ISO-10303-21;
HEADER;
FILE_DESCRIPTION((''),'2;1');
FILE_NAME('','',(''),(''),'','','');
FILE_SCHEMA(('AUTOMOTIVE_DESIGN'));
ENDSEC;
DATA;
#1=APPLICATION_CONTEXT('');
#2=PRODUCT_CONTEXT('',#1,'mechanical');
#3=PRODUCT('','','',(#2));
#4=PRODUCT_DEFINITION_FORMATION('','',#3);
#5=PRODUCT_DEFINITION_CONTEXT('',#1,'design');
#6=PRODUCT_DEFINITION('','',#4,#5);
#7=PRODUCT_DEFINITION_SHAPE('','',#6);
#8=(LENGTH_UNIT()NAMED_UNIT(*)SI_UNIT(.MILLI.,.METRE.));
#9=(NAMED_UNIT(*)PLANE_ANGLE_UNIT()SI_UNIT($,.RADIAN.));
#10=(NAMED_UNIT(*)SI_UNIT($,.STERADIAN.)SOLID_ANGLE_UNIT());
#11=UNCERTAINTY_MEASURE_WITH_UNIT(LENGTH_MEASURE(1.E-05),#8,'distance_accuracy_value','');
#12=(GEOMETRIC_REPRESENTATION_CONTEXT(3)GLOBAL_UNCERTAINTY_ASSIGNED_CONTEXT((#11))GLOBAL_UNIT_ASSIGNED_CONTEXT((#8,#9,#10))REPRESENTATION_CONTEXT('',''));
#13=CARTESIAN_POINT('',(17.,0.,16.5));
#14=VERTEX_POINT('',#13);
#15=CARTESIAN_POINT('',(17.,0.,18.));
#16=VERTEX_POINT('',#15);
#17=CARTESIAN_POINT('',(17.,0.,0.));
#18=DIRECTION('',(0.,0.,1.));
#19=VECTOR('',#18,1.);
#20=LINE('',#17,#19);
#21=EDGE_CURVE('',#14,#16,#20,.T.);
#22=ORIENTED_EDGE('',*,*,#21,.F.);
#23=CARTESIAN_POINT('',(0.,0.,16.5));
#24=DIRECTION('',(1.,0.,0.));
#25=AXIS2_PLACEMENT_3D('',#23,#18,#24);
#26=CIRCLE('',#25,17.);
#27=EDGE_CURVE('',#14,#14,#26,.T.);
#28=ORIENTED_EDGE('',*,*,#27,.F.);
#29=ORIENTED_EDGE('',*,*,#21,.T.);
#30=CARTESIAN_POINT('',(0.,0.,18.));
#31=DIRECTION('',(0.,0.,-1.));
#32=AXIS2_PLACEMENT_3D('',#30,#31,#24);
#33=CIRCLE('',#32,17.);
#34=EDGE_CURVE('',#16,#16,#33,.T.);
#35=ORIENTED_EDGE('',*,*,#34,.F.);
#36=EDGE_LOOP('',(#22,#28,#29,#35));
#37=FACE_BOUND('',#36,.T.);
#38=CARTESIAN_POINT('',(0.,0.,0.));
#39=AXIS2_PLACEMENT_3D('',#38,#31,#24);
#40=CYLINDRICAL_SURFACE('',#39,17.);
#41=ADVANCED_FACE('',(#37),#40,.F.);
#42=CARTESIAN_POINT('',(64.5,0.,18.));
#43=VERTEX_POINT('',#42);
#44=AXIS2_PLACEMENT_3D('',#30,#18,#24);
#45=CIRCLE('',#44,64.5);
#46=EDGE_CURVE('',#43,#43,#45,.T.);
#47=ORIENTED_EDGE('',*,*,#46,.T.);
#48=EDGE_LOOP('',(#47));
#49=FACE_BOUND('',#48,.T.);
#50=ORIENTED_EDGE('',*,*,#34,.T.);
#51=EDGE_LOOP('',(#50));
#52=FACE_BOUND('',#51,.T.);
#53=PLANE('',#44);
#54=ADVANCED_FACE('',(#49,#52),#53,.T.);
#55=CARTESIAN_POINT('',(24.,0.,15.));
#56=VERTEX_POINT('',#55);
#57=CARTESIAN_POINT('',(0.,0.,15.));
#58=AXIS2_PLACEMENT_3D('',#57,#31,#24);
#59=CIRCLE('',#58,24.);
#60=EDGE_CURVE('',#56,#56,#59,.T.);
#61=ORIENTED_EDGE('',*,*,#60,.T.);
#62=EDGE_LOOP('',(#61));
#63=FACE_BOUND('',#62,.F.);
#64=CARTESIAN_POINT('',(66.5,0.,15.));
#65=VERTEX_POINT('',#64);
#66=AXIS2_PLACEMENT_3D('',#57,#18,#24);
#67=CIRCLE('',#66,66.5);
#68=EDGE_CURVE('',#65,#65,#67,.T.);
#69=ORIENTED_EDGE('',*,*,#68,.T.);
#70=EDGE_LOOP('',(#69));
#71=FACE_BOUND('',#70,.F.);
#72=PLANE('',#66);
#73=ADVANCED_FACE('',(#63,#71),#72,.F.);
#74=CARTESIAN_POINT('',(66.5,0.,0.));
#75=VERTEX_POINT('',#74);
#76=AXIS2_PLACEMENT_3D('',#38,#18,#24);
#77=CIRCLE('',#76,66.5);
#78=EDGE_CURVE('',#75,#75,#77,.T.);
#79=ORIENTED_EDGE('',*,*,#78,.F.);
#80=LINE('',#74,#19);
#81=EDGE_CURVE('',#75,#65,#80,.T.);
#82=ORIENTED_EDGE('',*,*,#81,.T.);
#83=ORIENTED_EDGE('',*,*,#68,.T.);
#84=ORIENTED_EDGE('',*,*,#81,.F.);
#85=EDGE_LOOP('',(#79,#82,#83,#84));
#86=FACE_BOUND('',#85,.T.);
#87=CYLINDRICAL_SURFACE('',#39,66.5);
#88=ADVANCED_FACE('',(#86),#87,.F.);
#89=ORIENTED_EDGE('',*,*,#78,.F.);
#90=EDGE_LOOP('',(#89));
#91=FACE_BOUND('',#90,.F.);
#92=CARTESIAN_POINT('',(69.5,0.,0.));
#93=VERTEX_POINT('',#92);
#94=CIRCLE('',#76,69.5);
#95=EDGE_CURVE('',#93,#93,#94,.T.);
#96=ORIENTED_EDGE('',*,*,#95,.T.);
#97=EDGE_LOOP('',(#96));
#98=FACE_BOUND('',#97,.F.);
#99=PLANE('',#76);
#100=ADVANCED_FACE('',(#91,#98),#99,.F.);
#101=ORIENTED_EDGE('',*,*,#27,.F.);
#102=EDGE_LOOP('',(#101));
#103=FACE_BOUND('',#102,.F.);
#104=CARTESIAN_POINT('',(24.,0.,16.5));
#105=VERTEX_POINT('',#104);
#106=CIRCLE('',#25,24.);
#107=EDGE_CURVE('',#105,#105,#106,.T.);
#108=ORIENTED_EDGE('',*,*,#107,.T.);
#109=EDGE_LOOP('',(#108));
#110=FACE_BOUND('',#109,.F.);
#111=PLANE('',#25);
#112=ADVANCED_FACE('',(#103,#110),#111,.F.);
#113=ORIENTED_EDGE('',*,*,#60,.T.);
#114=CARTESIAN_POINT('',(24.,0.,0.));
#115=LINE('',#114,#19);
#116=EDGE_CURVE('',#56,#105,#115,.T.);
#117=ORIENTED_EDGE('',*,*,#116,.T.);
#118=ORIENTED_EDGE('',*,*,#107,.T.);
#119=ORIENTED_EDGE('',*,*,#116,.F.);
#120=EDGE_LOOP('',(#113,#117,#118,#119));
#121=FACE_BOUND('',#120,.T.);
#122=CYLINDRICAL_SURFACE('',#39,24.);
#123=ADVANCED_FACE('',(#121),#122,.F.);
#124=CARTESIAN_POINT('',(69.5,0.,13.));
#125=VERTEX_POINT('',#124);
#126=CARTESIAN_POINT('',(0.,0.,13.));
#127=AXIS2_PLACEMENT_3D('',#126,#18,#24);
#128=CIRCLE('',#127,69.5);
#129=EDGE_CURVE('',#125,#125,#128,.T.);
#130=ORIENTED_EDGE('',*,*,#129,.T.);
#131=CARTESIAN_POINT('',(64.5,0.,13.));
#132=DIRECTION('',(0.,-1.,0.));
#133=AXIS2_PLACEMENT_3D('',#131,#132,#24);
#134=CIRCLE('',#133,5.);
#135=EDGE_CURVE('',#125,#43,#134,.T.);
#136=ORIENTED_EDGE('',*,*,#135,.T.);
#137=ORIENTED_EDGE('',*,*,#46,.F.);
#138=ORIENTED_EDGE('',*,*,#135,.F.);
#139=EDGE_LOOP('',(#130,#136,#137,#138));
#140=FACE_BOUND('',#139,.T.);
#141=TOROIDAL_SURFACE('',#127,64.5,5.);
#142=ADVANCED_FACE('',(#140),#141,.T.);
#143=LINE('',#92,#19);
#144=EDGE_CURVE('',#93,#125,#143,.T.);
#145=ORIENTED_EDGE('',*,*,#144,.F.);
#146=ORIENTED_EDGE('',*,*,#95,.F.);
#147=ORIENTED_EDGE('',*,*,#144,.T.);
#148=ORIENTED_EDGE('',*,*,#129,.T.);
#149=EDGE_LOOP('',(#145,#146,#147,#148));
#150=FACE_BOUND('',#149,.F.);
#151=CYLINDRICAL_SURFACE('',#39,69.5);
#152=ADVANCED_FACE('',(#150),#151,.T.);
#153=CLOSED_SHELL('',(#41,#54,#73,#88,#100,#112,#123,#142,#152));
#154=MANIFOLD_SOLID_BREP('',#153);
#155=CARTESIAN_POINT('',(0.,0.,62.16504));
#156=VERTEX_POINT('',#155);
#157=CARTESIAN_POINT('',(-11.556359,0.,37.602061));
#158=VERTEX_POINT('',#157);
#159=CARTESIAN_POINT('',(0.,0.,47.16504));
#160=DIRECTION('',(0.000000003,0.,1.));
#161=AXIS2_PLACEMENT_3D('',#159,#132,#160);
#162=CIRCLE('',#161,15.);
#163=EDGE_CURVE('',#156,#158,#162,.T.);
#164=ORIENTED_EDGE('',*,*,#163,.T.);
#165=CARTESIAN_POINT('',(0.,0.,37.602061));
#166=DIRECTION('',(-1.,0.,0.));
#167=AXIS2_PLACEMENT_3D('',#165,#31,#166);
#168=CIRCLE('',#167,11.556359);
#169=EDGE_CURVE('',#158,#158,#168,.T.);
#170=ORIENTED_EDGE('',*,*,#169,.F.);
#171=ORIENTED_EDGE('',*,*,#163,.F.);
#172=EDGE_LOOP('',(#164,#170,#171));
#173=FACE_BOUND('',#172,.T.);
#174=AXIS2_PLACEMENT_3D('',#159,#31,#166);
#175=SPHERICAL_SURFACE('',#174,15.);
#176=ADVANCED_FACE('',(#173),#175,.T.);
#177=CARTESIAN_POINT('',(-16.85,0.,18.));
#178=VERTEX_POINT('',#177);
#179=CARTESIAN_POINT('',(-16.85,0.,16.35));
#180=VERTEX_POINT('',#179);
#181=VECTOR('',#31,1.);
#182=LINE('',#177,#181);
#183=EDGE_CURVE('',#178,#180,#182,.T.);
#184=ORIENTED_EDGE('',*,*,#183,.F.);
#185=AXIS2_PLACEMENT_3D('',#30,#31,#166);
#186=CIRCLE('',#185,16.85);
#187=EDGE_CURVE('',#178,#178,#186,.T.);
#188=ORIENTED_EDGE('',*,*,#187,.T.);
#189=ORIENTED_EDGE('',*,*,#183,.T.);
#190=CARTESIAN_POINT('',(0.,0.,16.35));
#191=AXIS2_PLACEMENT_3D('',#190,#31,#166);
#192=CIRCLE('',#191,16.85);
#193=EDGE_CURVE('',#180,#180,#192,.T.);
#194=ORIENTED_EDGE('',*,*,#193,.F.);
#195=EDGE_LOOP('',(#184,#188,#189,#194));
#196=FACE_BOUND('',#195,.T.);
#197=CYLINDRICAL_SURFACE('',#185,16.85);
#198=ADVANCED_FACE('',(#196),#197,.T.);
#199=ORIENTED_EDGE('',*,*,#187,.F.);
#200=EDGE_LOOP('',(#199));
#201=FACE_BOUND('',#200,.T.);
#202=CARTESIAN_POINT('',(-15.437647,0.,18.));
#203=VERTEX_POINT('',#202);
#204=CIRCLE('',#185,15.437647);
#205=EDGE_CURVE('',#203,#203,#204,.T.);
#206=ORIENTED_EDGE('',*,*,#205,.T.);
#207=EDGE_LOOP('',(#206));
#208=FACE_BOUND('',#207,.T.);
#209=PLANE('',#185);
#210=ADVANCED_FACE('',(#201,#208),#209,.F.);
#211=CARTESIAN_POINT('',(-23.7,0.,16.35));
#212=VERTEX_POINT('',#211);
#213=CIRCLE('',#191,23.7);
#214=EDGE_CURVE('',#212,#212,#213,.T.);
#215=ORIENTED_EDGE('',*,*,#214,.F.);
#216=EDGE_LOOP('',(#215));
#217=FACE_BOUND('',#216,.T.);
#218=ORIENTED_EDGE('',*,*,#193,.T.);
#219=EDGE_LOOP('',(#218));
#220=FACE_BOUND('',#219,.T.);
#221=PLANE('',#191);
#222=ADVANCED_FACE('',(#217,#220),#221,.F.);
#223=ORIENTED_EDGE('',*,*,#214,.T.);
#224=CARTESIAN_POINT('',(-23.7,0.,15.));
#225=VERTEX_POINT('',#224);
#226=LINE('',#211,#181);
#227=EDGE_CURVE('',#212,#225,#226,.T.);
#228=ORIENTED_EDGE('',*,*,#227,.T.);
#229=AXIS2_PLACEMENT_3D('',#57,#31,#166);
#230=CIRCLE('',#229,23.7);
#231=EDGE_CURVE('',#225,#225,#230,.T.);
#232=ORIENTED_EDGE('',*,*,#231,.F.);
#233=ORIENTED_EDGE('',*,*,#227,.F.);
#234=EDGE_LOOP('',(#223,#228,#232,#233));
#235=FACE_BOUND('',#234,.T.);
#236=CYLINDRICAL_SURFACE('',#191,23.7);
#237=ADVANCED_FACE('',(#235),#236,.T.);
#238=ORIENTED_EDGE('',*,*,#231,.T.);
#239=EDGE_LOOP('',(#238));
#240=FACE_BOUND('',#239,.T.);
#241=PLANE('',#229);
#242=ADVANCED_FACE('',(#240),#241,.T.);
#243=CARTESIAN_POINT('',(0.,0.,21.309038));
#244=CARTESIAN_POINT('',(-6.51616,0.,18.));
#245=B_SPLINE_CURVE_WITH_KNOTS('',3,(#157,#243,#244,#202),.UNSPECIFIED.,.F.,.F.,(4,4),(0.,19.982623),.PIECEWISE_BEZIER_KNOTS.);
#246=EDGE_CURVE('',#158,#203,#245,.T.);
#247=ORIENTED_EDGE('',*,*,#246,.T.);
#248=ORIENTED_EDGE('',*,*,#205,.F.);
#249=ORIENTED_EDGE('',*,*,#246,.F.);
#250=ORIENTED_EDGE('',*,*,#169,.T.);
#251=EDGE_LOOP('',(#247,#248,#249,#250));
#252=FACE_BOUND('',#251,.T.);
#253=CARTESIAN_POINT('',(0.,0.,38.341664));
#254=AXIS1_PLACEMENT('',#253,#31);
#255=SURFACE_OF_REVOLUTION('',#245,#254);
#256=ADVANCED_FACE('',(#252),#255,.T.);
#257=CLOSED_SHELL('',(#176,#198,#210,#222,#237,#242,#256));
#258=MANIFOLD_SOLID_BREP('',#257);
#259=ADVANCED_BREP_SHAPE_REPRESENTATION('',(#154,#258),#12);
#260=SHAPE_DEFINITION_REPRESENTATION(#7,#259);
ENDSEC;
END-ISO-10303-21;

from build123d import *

# Parameters (mm, degrees)
F0_R     = 69.5
F0_R_2   = 66.5
F1_DEPTH = 18
F2_DEPTH = 15
F3_R     = 5
F4_R     = 17
F5_DEPTH = 18.001
F4_R_2   = 24
F6_DEPTH = 16.5


with BuildPart() as f1:
    # F0 (on Top) → F1 (new body)
    with BuildSketch(Plane.XY):
        Circle(F0_R)
        Circle(F0_R_2, mode=Mode.SUBTRACT)
        Circle(F0_R_2)
    extrude(amount=F1_DEPTH)

    # F0 (on Top) → F2 (cut)
    with BuildSketch(Plane.XY):
        Circle(F0_R_2)
    extrude(amount=F2_DEPTH, mode=Mode.SUBTRACT)

    # F3
    f3_edges = [f1.edges().sort_by_distance(p)[0] for p in [
        (-69.5, 0, 18),
    ]]
    fillet(f3_edges, radius=F3_R)

    # F4 (on Top) → F5 (cut, through all)
    with BuildSketch(Plane.XY):
        Circle(F4_R)
    extrude(amount=F5_DEPTH, mode=Mode.SUBTRACT)

    # F4 (on Top) → F6 (cut)
    with BuildSketch(Plane.XY):
        Circle(F4_R_2)
        Circle(F4_R, mode=Mode.SUBTRACT)
    extrude(amount=F6_DEPTH, mode=Mode.SUBTRACT)


with BuildPart() as f8:
    # F7 (on Front) → F8 (revolve)
    with BuildSketch(Plane.XZ):
        with BuildLine():
            Line((0, 32.16504), (0, 62.16504))
            ThreePointArc((0, 62.16504), (-13.572853, 53.550779), (-11.556359, 37.602061))
            ThreePointArc((-11.556359, 37.602061), (-6.385739, 33.592187), (0, 32.16504))
        make_face()
        with BuildLine():
            ThreePointArc((0, 32.16504), (-6.385739, 33.592187), (-11.556359, 37.602061))
            add(Edge.make_bspline(
                [(-11.556359, 37.602061), (0, 21.309038), (-6.51616, 18), (-15.437647, 18)],
                knots=[0, 0, 0, 0, 19.982623, 19.982623, 19.982623, 19.982623], degree=3))
            Line((-15.437647, 18), (0, 18))
            Line((0, 18), (0, 32.16504))
        make_face()
        Polygon((0, 18), (-15.437647, 18), (-16.85, 18), (-16.85, 16.35), (-23.7, 16.35), (-23.7, 15), (0, 15), align=None)
    revolve(axis=Axis((0, 0, 38.341664), (0, 0, -1)))


solid = Compound([f1.part, f8.part])
